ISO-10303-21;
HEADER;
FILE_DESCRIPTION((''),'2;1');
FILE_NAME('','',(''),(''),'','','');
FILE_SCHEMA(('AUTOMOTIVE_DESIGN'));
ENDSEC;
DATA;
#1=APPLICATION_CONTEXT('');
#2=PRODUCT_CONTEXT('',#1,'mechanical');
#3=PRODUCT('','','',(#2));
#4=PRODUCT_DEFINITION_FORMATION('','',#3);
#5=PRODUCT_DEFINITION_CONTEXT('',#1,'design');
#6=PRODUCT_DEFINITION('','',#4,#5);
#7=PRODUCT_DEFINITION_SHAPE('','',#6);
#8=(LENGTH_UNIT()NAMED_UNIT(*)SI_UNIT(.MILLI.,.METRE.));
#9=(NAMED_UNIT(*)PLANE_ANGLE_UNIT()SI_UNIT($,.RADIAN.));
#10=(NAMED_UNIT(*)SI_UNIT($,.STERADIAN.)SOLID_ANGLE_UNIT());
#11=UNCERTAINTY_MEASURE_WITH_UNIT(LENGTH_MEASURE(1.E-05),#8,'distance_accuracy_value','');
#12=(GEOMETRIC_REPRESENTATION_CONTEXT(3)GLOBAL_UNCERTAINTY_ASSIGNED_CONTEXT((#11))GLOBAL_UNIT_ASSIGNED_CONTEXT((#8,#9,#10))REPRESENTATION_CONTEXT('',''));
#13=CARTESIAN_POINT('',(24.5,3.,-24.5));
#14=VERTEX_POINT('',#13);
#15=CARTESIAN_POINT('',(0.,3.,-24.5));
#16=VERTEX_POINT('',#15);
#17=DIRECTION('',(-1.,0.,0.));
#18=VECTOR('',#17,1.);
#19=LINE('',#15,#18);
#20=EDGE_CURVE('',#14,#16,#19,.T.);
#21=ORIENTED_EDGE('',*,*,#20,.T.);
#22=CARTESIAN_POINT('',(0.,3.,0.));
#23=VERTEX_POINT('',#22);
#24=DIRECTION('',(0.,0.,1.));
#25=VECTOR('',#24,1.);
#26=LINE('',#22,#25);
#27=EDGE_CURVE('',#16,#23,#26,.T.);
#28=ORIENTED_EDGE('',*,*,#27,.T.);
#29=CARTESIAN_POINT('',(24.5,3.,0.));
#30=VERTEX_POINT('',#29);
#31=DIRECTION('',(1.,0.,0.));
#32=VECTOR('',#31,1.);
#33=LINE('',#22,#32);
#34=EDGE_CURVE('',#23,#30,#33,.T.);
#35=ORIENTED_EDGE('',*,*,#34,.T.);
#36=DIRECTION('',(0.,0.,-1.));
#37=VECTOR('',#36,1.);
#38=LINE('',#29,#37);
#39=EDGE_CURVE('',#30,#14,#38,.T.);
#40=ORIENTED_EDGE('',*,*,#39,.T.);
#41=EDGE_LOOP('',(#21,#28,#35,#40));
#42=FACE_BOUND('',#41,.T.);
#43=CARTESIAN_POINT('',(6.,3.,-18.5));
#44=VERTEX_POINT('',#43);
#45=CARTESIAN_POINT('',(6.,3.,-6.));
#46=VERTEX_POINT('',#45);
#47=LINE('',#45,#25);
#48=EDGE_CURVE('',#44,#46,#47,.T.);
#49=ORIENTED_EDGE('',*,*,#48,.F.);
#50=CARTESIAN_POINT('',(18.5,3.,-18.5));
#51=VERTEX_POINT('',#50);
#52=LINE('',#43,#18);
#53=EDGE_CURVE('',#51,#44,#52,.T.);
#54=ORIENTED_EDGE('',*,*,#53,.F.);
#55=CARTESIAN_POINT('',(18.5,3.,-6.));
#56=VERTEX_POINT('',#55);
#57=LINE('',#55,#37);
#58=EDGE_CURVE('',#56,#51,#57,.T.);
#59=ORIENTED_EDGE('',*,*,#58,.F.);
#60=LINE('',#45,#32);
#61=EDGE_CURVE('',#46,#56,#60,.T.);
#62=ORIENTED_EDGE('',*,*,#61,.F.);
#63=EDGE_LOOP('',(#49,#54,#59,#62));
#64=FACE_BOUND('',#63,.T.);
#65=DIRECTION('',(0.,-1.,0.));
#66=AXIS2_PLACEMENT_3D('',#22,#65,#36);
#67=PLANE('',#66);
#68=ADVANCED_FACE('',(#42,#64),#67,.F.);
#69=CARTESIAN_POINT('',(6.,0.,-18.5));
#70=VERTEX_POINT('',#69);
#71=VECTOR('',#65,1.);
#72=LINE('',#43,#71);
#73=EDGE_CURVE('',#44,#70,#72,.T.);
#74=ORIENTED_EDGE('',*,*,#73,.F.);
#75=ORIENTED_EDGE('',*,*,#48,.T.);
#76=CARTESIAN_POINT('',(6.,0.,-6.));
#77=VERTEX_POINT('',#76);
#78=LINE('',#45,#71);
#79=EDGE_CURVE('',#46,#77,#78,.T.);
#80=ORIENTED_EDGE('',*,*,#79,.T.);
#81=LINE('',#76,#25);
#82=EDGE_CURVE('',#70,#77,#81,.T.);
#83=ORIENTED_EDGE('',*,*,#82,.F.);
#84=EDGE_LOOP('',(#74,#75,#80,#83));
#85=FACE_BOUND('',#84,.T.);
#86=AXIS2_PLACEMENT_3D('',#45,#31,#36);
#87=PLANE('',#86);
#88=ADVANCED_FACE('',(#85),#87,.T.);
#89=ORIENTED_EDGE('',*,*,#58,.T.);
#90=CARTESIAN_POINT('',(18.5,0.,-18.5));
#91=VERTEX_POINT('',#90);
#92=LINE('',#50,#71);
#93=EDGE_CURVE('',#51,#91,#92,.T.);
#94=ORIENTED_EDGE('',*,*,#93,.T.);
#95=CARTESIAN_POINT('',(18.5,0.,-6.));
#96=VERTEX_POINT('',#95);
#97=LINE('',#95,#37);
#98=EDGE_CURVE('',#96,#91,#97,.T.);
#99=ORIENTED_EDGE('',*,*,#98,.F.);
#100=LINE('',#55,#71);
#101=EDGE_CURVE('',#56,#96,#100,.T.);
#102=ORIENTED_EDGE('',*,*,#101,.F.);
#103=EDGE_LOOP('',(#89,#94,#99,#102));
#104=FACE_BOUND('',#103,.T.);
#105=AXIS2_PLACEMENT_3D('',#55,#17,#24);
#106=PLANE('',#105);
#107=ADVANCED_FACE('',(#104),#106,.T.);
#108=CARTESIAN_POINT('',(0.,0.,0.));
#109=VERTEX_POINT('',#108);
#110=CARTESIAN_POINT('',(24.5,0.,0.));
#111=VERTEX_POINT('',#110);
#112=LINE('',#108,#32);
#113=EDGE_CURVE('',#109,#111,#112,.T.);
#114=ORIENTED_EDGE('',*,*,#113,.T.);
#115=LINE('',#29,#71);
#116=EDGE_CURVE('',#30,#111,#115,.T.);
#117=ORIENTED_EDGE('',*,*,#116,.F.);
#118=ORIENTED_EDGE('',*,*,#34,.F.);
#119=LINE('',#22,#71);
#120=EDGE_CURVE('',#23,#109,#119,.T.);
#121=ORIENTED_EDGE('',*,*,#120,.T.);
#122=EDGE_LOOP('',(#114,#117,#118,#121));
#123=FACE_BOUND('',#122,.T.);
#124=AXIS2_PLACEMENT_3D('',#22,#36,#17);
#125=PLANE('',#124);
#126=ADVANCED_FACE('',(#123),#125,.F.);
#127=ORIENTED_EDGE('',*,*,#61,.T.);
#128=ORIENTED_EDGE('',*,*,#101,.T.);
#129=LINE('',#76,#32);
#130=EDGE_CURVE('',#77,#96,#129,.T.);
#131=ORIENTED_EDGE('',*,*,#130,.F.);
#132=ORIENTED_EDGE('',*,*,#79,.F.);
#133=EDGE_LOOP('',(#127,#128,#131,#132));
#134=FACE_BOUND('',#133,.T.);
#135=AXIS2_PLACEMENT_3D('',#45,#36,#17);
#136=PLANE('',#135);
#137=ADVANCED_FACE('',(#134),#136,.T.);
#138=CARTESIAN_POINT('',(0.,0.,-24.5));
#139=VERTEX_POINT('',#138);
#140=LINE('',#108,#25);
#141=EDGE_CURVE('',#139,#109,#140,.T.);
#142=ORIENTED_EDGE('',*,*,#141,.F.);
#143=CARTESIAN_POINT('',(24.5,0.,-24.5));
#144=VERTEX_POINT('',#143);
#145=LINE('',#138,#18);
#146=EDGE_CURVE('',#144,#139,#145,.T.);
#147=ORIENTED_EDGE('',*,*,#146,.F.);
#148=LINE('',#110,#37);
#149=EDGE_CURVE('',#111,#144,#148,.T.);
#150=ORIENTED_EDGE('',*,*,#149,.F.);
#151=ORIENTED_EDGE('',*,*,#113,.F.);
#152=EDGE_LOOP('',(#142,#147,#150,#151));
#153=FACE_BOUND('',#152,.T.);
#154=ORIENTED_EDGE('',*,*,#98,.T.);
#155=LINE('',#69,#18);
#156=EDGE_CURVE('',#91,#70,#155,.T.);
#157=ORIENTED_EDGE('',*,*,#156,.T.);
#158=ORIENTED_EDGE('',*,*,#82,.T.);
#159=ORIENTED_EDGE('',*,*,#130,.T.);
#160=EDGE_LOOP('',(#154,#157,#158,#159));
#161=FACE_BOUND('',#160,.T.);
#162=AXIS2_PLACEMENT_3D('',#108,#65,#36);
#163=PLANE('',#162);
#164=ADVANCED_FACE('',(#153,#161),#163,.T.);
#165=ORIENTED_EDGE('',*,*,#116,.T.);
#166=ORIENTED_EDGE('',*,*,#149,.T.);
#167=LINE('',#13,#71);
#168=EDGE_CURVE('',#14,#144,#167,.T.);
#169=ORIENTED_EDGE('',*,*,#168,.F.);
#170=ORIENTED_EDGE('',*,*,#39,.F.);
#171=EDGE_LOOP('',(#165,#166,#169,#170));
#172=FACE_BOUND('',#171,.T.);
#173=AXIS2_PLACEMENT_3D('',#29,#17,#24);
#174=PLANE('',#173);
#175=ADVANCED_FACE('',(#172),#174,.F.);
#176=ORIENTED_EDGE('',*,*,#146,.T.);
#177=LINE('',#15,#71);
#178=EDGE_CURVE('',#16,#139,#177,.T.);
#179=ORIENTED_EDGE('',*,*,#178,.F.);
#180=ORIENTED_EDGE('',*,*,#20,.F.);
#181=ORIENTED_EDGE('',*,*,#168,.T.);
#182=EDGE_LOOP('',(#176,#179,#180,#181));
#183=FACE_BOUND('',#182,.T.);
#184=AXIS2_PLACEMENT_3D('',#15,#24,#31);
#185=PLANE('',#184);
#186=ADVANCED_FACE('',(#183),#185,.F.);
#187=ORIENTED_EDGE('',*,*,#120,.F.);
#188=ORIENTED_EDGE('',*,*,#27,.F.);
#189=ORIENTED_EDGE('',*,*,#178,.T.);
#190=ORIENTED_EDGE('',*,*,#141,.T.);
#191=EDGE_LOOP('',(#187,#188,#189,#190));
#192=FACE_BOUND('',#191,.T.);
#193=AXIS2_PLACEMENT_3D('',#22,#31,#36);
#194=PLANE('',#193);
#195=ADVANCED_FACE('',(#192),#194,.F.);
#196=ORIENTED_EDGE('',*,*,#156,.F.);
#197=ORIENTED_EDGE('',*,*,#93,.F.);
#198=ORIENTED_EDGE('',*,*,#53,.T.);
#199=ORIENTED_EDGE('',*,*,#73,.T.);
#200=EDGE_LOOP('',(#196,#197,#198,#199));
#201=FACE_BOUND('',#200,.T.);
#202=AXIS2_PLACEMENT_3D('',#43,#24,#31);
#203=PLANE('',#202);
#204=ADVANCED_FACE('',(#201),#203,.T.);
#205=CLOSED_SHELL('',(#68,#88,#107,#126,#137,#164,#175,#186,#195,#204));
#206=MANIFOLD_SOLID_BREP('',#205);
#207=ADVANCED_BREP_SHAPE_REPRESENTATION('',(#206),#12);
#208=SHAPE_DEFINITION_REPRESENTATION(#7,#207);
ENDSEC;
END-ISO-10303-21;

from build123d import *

# Parameters (mm, degrees)
SKETCH_2_W      = 24.5
SKETCH_2_H      = 24.5
SKETCH_2_W_2    = 12.5
SKETCH_2_H_2    = 12.5
EXTRUDE_1_DEPTH = 3


with BuildPart() as part:
    # Эскиз2 → Бобышка-Вытянуть1 (new body)
    with BuildSketch(Plane(origin=(0, 0, 0), x_dir=(1, 0, 0), z_dir=(0, 1, 0))):
        with Locations((12.25, 12.25)):
            Rectangle(SKETCH_2_W, SKETCH_2_H)
        with Locations((12.25, 12.25)):
            Rectangle(SKETCH_2_W_2, SKETCH_2_H_2, mode=Mode.SUBTRACT)
    extrude(amount=EXTRUDE_1_DEPTH)


solid = part.part
